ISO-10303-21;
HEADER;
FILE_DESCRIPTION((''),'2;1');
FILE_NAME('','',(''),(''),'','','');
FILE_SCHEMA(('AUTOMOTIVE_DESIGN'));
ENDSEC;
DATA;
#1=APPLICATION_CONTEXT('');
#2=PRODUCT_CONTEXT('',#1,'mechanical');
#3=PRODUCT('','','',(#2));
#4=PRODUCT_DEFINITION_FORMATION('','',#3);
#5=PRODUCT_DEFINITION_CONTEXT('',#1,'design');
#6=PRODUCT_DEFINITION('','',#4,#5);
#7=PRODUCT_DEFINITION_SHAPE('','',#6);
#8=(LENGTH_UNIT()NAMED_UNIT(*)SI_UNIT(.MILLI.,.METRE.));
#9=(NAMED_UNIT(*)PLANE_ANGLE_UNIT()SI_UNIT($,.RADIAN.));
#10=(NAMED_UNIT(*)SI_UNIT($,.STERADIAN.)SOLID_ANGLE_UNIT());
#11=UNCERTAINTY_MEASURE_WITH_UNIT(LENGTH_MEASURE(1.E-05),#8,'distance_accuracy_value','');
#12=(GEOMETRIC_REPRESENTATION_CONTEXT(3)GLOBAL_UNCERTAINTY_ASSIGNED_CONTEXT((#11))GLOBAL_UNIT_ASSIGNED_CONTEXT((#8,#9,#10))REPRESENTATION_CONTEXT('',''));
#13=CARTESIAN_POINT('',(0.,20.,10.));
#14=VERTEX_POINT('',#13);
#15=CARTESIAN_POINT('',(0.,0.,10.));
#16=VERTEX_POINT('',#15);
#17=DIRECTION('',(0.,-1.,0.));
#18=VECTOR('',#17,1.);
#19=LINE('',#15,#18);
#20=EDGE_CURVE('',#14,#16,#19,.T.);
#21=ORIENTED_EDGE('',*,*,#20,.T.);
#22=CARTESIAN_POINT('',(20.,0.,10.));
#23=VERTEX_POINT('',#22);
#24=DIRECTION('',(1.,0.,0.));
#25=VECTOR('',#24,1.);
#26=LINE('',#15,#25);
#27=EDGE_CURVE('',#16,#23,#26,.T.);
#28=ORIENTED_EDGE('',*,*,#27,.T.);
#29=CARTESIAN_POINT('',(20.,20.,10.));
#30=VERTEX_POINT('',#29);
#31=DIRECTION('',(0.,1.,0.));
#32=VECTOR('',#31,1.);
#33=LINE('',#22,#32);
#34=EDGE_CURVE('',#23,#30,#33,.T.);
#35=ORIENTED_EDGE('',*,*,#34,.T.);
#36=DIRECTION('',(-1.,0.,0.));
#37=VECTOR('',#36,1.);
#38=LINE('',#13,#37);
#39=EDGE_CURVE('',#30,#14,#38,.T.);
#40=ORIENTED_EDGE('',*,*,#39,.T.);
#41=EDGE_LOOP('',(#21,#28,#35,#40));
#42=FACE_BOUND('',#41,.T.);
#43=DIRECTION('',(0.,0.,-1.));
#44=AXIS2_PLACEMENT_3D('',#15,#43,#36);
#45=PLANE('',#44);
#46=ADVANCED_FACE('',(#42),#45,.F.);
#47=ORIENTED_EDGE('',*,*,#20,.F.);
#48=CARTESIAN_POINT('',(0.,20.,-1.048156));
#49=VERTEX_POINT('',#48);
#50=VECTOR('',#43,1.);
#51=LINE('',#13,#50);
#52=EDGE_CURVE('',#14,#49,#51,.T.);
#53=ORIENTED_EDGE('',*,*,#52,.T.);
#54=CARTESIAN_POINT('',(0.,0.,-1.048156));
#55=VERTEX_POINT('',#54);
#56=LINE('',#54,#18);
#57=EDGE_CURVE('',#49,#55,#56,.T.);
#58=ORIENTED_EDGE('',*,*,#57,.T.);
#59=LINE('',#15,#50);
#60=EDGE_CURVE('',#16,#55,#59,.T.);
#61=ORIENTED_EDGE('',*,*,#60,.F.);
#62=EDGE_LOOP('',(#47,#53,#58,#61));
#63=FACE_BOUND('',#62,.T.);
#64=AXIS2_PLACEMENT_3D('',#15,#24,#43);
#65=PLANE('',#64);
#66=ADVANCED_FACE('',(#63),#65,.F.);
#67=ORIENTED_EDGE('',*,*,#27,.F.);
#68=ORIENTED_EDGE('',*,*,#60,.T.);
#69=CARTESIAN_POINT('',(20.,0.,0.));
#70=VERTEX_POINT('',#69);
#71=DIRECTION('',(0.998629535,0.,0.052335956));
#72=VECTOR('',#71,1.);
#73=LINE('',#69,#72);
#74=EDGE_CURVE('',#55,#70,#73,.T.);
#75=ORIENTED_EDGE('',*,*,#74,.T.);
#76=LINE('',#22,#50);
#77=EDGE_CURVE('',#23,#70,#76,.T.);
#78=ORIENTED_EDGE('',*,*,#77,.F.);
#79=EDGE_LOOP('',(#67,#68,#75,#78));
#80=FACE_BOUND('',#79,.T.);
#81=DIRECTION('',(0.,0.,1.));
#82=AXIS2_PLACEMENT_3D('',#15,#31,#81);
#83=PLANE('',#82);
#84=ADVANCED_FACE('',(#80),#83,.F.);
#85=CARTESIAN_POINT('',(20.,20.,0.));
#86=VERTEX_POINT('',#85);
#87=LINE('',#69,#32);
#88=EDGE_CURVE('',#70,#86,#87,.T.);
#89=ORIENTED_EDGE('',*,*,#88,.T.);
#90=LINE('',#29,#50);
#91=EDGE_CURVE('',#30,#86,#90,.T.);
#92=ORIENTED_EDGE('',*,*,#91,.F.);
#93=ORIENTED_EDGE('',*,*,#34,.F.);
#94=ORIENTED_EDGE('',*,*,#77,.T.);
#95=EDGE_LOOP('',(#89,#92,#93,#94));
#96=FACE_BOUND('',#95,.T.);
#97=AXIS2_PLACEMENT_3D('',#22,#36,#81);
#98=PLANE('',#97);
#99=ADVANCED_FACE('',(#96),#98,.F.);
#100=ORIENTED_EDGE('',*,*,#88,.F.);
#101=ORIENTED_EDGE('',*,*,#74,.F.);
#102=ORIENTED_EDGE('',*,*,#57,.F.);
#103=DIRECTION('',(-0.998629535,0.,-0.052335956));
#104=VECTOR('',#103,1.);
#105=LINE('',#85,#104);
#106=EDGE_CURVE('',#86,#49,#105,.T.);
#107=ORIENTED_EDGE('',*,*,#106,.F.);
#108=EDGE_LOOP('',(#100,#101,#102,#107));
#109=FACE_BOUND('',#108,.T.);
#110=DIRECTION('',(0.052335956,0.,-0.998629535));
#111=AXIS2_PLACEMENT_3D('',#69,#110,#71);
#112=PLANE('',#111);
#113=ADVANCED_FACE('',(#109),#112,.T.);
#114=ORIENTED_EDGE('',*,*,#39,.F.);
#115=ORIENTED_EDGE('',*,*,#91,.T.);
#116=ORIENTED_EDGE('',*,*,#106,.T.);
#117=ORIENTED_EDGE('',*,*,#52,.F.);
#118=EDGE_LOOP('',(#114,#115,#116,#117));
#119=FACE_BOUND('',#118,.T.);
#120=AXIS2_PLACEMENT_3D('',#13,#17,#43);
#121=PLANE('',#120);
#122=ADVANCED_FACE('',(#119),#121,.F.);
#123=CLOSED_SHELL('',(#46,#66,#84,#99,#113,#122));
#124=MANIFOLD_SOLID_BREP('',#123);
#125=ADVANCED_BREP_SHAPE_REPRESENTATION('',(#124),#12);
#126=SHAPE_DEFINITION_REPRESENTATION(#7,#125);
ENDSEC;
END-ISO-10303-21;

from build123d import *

# Parameters (mm, degrees)
SKETCH_1_W      = 20
SKETCH_1_H      = 20
BASEBOX_DEPTH   = 10
DRAFT3DEG_ANGLE = 3


with BuildPart() as part:
    # 草图1 → BaseBox (new body)
    with BuildSketch(Plane.XY):
        with Locations((10, 10)):
            Rectangle(SKETCH_1_W, SKETCH_1_H)
    extrude(amount=BASEBOX_DEPTH)

    # Draft3deg
    draft3deg_faces = [part.faces().sort_by_distance(p)[0] for p in [
        (10, 10, 0),
    ]]
    draft(draft3deg_faces, Plane(origin=(20, 0, 10), x_dir=(0, 0, 1), z_dir=(1, 0, 0)), DRAFT3DEG_ANGLE)


solid = part.part
